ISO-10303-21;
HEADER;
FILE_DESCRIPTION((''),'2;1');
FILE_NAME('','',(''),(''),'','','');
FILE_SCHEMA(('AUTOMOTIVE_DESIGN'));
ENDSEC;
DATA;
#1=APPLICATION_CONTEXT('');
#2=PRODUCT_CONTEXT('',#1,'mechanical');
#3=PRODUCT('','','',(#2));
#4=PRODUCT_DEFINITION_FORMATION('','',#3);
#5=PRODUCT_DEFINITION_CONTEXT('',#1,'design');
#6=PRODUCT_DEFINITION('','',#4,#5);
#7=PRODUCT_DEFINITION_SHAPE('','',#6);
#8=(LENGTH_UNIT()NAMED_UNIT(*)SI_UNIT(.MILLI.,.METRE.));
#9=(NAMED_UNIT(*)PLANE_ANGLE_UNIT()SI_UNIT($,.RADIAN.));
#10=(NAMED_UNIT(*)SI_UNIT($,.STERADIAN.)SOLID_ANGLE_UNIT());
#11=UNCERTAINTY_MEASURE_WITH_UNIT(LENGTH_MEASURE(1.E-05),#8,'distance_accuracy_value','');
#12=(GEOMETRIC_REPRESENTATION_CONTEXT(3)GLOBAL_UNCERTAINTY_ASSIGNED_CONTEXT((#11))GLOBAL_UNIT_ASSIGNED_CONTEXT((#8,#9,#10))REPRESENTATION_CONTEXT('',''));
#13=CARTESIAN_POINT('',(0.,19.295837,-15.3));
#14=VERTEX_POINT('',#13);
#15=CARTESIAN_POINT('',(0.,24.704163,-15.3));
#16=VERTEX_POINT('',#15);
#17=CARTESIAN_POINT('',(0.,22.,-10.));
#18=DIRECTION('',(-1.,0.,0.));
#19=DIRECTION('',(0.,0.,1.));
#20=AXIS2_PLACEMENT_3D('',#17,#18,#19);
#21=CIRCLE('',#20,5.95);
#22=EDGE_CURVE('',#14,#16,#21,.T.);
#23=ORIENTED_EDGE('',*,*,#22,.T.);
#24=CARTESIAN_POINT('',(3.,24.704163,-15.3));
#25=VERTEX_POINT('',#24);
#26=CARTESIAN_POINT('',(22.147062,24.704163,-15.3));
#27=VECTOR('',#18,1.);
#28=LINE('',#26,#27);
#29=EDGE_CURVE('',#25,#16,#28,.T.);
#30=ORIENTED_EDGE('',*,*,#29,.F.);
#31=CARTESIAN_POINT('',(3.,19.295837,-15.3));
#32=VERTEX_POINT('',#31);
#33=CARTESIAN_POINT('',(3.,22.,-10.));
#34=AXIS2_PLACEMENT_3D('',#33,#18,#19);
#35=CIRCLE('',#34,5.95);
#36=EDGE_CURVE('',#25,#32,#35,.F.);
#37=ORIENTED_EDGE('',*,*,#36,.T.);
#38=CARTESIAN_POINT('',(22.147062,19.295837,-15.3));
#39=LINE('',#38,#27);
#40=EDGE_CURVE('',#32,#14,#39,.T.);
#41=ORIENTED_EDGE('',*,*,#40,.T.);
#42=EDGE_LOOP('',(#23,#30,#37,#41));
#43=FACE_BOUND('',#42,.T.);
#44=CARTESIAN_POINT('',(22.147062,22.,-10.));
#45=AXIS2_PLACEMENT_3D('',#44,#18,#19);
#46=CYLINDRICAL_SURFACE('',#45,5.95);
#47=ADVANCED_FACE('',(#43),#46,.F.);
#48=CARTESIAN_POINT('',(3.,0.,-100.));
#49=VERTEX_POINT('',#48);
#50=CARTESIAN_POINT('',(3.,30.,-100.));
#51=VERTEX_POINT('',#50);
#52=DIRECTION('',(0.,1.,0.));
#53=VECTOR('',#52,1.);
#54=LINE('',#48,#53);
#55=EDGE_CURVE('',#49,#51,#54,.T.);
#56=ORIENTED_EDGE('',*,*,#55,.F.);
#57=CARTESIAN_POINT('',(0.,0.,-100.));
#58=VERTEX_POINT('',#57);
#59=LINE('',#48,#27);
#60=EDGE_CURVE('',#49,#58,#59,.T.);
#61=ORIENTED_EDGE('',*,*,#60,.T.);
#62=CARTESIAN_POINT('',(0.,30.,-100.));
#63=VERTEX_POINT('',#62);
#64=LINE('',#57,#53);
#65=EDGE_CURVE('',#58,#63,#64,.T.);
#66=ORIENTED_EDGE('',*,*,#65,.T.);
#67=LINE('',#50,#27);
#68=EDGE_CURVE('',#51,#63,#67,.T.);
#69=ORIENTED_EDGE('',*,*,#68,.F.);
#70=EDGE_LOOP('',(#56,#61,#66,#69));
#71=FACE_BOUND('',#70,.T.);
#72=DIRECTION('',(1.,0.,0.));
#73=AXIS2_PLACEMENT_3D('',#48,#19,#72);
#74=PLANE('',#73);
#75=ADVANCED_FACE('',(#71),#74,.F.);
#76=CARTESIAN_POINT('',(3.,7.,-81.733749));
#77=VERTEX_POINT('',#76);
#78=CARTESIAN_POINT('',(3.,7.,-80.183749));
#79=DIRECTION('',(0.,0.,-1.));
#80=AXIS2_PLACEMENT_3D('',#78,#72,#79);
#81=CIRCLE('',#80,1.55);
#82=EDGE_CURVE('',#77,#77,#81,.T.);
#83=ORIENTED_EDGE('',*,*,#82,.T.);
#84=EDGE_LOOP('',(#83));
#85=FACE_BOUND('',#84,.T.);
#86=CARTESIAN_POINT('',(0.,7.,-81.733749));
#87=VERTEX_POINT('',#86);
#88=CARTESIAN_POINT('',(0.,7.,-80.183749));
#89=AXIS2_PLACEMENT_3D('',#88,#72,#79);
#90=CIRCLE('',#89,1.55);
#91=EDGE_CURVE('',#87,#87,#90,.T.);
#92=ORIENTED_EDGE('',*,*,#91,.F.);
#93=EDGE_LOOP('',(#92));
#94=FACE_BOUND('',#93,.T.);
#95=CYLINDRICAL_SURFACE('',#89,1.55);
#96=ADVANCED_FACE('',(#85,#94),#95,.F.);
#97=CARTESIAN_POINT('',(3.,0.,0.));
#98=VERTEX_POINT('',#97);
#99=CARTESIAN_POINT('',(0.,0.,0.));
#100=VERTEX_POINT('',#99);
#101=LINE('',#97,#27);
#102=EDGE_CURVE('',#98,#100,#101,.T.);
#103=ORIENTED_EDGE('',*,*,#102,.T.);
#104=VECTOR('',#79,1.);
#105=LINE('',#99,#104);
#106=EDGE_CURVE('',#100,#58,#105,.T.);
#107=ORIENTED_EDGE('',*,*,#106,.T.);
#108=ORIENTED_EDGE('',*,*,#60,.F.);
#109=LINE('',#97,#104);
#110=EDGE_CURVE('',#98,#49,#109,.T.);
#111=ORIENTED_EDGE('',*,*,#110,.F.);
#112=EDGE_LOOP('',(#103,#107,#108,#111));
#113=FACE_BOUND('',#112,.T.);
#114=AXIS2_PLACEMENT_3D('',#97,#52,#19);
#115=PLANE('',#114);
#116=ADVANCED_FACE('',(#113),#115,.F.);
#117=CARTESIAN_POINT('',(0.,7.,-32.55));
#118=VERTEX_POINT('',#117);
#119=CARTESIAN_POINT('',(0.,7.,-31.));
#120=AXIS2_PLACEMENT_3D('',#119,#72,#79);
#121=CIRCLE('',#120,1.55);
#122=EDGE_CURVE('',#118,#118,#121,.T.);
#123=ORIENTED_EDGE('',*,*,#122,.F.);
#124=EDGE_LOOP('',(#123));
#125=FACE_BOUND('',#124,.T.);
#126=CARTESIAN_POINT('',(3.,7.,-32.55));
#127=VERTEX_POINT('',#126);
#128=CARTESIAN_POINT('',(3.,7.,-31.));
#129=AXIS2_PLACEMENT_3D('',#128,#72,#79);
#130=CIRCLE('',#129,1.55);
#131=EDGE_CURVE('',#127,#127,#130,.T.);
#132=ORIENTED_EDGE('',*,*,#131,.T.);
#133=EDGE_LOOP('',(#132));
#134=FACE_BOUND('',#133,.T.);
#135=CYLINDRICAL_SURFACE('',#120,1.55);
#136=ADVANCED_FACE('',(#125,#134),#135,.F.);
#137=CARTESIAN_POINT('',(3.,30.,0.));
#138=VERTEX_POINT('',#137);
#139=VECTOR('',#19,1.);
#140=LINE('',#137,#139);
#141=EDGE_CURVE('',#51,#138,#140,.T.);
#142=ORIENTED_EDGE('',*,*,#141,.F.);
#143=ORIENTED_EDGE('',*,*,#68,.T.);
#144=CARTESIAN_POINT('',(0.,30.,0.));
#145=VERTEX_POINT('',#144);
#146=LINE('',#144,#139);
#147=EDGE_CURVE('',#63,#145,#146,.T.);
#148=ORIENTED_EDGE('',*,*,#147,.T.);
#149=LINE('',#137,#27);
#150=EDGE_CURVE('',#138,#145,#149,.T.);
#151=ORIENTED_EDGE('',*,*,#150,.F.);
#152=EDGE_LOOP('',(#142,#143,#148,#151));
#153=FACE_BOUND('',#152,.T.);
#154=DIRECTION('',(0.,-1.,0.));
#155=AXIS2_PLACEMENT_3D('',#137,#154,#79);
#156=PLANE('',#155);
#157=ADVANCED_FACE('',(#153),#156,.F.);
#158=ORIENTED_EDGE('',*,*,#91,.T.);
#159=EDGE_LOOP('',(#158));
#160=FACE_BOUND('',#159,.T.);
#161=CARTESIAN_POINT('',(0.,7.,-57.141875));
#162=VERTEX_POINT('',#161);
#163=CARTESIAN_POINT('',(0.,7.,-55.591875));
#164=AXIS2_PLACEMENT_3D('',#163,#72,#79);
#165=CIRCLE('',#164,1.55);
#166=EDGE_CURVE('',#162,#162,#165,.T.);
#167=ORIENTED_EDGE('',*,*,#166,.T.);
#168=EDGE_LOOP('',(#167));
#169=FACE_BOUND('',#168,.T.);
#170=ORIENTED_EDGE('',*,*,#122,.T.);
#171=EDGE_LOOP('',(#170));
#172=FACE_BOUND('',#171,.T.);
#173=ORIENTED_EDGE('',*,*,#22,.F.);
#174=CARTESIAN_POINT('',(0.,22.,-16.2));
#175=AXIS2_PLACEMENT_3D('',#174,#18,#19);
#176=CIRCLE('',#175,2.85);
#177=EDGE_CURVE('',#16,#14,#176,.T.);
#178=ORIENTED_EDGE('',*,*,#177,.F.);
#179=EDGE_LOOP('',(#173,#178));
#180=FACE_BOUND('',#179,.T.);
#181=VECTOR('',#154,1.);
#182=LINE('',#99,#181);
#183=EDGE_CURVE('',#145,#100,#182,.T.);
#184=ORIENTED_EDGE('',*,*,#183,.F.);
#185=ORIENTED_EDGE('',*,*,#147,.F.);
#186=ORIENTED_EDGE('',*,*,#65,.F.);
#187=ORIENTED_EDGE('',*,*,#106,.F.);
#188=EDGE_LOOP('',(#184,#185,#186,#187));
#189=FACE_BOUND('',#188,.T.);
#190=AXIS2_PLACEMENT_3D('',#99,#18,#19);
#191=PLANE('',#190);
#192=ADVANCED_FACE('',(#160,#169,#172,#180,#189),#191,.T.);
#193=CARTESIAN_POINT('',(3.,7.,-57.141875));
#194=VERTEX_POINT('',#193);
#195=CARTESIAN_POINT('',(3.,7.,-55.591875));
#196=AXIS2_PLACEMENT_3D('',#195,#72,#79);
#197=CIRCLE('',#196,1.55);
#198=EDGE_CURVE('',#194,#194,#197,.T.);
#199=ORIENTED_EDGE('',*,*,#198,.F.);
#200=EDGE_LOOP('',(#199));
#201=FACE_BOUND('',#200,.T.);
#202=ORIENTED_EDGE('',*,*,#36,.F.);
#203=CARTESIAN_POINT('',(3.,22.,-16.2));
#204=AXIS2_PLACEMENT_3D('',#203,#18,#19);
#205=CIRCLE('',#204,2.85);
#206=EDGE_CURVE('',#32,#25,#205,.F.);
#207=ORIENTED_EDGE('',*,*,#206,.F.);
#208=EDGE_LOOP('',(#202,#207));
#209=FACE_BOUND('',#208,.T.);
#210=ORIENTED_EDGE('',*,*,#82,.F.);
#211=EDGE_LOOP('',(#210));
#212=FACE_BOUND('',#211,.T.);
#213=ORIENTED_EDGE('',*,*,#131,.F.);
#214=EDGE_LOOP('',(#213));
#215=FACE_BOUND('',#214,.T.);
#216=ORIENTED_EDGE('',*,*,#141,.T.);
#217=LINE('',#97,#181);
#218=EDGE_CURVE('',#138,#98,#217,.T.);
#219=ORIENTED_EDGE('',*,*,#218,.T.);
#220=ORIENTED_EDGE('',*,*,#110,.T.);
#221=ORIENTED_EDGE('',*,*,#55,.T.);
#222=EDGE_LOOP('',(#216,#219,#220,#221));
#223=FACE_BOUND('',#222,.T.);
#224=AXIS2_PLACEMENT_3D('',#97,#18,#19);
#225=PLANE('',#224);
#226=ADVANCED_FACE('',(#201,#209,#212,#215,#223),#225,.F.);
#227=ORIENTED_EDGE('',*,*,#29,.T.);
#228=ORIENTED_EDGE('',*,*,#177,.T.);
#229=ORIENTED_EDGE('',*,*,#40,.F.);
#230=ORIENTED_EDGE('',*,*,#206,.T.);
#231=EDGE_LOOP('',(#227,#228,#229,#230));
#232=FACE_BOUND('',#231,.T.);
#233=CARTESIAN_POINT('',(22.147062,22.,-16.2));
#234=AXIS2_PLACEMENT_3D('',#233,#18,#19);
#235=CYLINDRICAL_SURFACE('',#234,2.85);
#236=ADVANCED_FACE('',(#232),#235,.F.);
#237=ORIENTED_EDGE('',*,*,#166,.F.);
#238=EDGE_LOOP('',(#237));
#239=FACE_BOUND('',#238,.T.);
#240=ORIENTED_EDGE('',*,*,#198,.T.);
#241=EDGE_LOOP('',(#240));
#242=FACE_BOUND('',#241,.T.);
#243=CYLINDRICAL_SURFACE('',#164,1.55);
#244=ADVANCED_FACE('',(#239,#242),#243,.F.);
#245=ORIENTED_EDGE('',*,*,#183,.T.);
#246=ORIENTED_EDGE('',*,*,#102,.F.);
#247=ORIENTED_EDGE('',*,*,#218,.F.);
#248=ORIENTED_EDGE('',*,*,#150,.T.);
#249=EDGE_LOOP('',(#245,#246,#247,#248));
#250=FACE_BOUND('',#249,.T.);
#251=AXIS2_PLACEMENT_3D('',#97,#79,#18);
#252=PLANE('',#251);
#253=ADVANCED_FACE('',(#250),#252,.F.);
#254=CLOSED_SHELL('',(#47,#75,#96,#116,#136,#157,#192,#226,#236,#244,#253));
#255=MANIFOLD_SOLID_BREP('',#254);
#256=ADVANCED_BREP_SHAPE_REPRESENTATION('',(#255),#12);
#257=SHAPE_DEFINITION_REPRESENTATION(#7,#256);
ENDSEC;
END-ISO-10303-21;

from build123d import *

# Parameters (mm, degrees)
SKIZZE1_W                       = 100
SKIZZE1_H                       = 30
AUFSATZ_LINEAR_AUSTRAGEN1_DEPTH = 3
SKIZZE2_R                       = 1.55
BOHRUNGEN_DEPTH                 = 105.446158378
SCHNITT_LINEAR_AUSTRAGEN3_DEPTH = 3


with BuildPart() as part:
    # Skizze1 → Aufsatz-Linear austragen1 (new body)
    with BuildSketch(Plane(origin=(0, 0, 0), x_dir=(0, 0, -1), z_dir=(1, 0, 0))):
        with Locations((50, 15)):
            Rectangle(SKIZZE1_W, SKIZZE1_H)
    extrude(amount=AUFSATZ_LINEAR_AUSTRAGEN1_DEPTH)

    # Skizze2 → Bohrungen (cut, through all)
    with BuildSketch(Plane(origin=(3, 0, 0), x_dir=(0, 0, -1), z_dir=(1, 0, 0))):
        with Locations((10, 22)):
            Circle(SKIZZE2_R)
        with Locations((31, 7)):
            Circle(SKIZZE2_R)
        with Locations((55.59187467, 7)):
            Circle(SKIZZE2_R)
        with Locations((80.183749339, 7)):
            Circle(SKIZZE2_R)
    extrude(amount=-BOHRUNGEN_DEPTH, mode=Mode.SUBTRACT)

    # Skizze6 → Schnitt-Linear austragen3 (cut)
    with BuildSketch(Plane.ZY):
        with BuildLine():
            ThreePointArc((-15.3, 19.295836543), (-4.05, 22), (-15.3, 24.704163457))
            ThreePointArc((-15.3, 24.704163457), (-19.05, 22), (-15.3, 19.295836543))
        make_face()
    extrude(amount=-SCHNITT_LINEAR_AUSTRAGEN3_DEPTH, mode=Mode.SUBTRACT)


solid = part.part
